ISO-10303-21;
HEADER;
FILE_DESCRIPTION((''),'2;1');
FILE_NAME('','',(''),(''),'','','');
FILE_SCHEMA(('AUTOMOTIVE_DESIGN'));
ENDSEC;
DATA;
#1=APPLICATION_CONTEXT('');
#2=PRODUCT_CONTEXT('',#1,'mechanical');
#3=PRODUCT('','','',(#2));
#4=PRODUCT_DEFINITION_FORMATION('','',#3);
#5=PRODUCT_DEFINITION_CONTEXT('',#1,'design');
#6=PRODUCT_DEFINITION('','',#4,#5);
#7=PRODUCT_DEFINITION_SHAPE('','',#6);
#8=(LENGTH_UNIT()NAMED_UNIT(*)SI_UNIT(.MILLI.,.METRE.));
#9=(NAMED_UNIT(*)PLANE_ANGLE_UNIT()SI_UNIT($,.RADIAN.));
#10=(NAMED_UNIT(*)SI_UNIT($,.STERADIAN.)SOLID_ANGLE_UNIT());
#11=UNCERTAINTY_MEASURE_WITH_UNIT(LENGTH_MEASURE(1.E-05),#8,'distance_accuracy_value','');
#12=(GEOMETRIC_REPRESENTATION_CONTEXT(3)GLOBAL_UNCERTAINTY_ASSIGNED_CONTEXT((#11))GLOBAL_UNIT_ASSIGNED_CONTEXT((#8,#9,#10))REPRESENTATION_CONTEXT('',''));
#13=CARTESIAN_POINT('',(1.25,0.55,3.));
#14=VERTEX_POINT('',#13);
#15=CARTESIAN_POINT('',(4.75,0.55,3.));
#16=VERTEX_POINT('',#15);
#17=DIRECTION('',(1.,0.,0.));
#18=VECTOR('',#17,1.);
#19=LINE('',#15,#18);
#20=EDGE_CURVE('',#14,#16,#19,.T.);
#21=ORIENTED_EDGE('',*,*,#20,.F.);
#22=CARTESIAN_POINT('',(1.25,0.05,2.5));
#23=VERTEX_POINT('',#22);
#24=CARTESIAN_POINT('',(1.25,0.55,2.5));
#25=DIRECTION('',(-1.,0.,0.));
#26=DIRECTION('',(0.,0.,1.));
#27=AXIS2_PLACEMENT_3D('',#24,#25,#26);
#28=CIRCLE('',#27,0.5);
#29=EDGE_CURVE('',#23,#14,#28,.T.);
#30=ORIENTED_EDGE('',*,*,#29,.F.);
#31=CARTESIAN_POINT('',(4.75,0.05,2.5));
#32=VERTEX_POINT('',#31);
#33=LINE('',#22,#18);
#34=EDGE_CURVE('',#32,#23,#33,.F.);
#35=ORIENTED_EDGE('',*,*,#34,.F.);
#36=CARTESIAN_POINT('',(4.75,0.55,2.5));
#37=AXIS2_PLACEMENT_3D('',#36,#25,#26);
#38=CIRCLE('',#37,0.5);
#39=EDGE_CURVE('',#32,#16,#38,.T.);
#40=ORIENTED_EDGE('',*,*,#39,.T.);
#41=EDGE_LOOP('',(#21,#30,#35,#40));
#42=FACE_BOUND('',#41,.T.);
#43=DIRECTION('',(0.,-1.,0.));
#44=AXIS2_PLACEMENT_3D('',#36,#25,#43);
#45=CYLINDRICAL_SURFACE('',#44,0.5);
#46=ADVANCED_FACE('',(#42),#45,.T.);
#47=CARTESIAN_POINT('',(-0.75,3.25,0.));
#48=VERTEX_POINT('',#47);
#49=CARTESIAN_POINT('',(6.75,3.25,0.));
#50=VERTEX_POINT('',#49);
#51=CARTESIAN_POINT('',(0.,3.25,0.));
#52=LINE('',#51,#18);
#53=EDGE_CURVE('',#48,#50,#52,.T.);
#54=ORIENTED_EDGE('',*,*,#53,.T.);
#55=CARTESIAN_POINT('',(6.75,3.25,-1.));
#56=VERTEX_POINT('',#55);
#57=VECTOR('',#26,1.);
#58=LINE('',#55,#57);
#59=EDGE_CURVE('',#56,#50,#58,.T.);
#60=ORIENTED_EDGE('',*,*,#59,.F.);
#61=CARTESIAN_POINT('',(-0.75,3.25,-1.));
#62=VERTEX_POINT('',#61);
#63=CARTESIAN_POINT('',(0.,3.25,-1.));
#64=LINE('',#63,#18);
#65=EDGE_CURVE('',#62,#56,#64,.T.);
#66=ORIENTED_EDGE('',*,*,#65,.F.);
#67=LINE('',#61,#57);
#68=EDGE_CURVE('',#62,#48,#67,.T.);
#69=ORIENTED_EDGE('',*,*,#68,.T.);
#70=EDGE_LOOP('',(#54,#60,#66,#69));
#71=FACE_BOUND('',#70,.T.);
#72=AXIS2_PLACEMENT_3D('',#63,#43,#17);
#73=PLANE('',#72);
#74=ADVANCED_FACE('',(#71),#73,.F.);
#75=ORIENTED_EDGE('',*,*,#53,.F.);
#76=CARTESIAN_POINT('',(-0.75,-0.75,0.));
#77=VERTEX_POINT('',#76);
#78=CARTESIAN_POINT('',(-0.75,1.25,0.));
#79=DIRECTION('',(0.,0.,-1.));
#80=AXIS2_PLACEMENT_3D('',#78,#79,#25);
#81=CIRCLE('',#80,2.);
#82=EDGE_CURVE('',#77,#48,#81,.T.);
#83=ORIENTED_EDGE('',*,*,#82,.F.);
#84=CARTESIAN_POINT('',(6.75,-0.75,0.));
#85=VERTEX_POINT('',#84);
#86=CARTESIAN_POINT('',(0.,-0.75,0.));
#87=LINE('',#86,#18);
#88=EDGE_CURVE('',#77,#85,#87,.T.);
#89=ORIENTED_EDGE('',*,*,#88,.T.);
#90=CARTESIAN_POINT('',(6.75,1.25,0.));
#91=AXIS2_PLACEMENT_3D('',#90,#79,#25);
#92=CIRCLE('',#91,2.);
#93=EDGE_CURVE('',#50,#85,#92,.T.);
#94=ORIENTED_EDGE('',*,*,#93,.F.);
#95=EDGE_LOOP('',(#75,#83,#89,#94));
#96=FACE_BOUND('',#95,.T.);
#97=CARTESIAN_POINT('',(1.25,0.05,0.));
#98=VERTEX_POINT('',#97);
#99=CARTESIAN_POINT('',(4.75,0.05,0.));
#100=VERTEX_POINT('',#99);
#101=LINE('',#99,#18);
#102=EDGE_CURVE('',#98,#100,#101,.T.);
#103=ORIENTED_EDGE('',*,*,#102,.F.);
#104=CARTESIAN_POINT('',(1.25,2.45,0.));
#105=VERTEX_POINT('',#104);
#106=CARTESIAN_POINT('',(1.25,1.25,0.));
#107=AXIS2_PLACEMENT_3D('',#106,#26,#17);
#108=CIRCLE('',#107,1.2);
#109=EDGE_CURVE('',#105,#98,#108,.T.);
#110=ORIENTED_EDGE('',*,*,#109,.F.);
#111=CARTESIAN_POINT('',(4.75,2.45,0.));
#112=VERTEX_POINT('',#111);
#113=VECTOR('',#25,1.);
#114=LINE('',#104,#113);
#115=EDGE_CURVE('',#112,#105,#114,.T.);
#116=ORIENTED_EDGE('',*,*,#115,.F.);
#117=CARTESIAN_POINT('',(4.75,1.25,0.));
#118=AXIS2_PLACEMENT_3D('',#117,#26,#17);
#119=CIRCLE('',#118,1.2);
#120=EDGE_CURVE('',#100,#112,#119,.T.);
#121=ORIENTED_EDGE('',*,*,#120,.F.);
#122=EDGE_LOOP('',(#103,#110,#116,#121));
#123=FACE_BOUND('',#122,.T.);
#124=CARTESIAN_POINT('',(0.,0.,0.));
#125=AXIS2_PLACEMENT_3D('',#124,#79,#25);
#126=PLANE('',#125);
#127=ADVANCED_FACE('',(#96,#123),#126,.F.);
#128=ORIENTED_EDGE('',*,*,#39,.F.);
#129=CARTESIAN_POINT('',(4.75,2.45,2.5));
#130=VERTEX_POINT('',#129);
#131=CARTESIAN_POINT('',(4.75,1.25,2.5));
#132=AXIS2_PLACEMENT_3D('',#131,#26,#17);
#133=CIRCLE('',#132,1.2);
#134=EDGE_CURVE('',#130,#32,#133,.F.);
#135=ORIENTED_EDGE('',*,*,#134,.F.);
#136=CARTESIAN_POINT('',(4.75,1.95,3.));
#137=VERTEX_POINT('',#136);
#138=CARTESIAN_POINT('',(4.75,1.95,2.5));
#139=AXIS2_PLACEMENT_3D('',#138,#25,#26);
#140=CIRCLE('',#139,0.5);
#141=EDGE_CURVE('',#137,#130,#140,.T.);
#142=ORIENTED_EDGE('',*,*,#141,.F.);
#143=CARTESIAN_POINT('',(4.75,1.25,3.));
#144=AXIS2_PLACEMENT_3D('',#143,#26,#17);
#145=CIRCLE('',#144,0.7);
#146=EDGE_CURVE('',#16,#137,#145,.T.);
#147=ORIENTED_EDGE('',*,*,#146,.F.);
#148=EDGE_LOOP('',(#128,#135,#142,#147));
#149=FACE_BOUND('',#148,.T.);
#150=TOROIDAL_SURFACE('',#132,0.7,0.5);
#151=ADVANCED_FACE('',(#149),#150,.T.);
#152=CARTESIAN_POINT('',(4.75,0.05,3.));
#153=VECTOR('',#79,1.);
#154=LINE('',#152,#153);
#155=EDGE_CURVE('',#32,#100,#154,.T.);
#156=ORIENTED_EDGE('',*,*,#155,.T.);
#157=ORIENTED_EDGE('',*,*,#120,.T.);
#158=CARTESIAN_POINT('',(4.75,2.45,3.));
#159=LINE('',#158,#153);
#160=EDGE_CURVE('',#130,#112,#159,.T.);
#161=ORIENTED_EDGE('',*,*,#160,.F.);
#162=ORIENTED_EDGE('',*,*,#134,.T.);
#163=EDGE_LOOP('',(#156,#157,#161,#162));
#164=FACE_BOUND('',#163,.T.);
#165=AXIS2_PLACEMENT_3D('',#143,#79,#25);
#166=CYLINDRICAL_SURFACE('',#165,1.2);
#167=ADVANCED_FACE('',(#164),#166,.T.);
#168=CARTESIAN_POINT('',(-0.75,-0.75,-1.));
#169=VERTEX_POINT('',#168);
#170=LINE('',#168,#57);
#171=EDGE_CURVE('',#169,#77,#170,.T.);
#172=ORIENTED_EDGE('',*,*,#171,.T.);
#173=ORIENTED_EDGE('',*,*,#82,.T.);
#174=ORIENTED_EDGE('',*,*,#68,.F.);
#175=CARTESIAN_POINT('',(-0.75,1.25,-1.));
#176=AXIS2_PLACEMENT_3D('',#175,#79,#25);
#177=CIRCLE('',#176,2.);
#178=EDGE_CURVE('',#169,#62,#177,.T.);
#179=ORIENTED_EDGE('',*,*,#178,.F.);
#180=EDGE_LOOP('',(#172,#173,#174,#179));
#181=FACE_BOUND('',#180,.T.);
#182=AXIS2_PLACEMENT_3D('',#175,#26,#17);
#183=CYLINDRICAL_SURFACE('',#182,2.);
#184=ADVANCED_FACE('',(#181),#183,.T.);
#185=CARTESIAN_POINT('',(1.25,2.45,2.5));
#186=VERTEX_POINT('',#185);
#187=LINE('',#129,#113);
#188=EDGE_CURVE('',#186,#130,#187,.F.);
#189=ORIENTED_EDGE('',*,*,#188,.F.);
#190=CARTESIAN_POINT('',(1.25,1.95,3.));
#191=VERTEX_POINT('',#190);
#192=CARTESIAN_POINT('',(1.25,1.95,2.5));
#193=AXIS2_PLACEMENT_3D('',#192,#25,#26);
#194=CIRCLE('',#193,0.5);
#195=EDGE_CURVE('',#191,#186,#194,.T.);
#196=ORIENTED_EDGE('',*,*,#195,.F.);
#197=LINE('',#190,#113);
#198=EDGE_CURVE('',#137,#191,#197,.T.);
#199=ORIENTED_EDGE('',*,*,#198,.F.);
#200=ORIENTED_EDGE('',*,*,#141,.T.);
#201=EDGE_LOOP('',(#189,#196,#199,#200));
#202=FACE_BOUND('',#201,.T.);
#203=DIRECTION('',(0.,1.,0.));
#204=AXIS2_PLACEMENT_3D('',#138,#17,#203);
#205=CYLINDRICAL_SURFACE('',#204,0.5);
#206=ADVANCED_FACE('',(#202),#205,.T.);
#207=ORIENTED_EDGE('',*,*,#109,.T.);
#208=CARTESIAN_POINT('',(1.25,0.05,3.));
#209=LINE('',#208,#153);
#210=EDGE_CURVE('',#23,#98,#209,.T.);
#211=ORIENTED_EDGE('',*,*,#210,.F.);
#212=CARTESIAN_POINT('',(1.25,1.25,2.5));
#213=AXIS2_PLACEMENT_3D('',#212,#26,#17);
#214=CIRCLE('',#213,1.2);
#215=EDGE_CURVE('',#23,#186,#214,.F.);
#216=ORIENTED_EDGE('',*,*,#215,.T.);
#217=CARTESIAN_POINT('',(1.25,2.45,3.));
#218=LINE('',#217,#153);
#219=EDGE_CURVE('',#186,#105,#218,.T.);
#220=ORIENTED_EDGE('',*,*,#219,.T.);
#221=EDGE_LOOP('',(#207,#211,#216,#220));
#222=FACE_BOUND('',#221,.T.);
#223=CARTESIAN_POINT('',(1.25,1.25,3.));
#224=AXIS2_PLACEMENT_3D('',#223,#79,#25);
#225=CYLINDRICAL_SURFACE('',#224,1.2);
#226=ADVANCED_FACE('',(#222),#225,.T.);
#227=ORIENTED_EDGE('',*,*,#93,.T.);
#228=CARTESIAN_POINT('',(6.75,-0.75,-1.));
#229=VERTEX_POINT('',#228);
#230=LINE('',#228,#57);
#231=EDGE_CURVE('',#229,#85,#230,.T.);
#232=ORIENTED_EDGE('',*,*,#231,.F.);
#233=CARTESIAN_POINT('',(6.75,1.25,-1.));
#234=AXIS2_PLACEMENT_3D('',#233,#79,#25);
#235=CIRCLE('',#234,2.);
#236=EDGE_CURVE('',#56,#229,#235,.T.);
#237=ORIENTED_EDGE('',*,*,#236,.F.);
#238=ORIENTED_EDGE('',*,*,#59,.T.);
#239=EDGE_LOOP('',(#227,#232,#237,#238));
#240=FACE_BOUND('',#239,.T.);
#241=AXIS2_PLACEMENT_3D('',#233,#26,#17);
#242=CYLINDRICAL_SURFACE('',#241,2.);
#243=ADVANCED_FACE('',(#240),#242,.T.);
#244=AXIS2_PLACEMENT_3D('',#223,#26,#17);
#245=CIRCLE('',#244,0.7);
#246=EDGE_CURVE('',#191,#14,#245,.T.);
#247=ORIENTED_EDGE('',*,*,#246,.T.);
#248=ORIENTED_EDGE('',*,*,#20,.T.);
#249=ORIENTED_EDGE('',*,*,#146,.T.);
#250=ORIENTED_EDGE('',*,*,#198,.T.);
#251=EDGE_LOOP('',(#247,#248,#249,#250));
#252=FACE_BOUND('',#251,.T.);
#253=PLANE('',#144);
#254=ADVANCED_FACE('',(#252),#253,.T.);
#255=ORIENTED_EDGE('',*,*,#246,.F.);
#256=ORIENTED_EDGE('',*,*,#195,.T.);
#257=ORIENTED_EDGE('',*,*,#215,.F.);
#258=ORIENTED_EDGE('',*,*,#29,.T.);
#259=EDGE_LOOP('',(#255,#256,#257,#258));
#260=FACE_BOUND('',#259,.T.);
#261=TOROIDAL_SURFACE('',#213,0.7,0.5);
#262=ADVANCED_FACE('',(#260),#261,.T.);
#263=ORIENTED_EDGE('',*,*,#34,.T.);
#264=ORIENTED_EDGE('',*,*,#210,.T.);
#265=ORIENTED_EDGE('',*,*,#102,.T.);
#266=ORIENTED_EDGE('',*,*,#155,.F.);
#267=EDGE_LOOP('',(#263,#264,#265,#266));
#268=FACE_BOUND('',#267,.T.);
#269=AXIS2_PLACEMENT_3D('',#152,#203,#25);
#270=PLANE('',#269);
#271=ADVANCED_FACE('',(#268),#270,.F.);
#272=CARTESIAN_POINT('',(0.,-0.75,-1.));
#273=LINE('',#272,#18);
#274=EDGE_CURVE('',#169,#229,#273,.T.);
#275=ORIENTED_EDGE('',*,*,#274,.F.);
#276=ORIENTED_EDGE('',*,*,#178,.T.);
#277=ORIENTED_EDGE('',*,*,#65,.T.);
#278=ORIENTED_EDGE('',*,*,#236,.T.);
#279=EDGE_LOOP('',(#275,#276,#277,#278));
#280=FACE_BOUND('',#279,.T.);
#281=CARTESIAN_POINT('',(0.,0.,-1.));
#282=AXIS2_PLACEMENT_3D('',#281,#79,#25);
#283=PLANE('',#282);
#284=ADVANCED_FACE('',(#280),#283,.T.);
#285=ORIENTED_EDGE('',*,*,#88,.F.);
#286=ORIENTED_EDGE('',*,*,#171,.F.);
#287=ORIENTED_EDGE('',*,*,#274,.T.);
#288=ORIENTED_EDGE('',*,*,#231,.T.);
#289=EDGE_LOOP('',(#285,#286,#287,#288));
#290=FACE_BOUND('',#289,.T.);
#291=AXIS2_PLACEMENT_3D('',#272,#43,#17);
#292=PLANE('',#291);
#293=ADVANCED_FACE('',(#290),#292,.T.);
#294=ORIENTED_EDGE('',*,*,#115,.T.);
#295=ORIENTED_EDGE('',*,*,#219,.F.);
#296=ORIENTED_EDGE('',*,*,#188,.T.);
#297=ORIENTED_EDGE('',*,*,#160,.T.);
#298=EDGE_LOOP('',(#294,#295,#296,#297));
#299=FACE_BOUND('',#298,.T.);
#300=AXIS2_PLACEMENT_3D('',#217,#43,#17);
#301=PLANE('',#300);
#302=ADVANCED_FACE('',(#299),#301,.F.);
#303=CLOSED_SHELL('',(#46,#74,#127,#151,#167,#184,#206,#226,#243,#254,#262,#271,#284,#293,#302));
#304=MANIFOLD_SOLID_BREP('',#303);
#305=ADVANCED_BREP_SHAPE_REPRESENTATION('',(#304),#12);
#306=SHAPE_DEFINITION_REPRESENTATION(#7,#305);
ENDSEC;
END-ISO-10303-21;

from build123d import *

# Parameters (mm, degrees)
EXTRUDE_1_DEPTH = 3
EXTRUDE_2_DEPTH = 1
FILLET_1_R      = 0.5


with BuildPart() as part:
    # 草图1 → 凸台-拉伸1 (new body)
    with BuildSketch(Plane.XY):
        with BuildLine():
            Line((1.25, 2.45), (4.75, 2.45))
            ThreePointArc((4.75, 2.45), (5.95, 1.25), (4.75, 0.05))
            Line((4.75, 0.05), (1.25, 0.05))
            ThreePointArc((1.25, 0.05), (0.05, 1.25), (1.25, 2.45))
        make_face()
    extrude(amount=EXTRUDE_1_DEPTH)

    # 草图2 → 凸台-拉伸2 (add)
    with BuildSketch(Plane(origin=(0, 0, 0), x_dir=(-1, 0, 0), z_dir=(0, 0, -1))):
        with BuildLine():
            Line((0.75, -0.75), (-6.75, -0.75))
            ThreePointArc((-6.75, -0.75), (-8.75, 1.25), (-6.75, 3.25))
            Line((-6.75, 3.25), (0.75, 3.25))
            ThreePointArc((0.75, 3.25), (2.75, 1.25), (0.75, -0.75))
        make_face()
    extrude(amount=EXTRUDE_2_DEPTH)

    # 圆角1
    fillet_1_edges = [part.edges().sort_by_distance(p)[0] for p in [
        (0.05, 1.25, 3),
        (3, 0.05, 3),
        (5.95, 1.25, 3),
        (3, 2.45, 3),
    ]]
    fillet(fillet_1_edges, radius=FILLET_1_R)


solid = part.part
